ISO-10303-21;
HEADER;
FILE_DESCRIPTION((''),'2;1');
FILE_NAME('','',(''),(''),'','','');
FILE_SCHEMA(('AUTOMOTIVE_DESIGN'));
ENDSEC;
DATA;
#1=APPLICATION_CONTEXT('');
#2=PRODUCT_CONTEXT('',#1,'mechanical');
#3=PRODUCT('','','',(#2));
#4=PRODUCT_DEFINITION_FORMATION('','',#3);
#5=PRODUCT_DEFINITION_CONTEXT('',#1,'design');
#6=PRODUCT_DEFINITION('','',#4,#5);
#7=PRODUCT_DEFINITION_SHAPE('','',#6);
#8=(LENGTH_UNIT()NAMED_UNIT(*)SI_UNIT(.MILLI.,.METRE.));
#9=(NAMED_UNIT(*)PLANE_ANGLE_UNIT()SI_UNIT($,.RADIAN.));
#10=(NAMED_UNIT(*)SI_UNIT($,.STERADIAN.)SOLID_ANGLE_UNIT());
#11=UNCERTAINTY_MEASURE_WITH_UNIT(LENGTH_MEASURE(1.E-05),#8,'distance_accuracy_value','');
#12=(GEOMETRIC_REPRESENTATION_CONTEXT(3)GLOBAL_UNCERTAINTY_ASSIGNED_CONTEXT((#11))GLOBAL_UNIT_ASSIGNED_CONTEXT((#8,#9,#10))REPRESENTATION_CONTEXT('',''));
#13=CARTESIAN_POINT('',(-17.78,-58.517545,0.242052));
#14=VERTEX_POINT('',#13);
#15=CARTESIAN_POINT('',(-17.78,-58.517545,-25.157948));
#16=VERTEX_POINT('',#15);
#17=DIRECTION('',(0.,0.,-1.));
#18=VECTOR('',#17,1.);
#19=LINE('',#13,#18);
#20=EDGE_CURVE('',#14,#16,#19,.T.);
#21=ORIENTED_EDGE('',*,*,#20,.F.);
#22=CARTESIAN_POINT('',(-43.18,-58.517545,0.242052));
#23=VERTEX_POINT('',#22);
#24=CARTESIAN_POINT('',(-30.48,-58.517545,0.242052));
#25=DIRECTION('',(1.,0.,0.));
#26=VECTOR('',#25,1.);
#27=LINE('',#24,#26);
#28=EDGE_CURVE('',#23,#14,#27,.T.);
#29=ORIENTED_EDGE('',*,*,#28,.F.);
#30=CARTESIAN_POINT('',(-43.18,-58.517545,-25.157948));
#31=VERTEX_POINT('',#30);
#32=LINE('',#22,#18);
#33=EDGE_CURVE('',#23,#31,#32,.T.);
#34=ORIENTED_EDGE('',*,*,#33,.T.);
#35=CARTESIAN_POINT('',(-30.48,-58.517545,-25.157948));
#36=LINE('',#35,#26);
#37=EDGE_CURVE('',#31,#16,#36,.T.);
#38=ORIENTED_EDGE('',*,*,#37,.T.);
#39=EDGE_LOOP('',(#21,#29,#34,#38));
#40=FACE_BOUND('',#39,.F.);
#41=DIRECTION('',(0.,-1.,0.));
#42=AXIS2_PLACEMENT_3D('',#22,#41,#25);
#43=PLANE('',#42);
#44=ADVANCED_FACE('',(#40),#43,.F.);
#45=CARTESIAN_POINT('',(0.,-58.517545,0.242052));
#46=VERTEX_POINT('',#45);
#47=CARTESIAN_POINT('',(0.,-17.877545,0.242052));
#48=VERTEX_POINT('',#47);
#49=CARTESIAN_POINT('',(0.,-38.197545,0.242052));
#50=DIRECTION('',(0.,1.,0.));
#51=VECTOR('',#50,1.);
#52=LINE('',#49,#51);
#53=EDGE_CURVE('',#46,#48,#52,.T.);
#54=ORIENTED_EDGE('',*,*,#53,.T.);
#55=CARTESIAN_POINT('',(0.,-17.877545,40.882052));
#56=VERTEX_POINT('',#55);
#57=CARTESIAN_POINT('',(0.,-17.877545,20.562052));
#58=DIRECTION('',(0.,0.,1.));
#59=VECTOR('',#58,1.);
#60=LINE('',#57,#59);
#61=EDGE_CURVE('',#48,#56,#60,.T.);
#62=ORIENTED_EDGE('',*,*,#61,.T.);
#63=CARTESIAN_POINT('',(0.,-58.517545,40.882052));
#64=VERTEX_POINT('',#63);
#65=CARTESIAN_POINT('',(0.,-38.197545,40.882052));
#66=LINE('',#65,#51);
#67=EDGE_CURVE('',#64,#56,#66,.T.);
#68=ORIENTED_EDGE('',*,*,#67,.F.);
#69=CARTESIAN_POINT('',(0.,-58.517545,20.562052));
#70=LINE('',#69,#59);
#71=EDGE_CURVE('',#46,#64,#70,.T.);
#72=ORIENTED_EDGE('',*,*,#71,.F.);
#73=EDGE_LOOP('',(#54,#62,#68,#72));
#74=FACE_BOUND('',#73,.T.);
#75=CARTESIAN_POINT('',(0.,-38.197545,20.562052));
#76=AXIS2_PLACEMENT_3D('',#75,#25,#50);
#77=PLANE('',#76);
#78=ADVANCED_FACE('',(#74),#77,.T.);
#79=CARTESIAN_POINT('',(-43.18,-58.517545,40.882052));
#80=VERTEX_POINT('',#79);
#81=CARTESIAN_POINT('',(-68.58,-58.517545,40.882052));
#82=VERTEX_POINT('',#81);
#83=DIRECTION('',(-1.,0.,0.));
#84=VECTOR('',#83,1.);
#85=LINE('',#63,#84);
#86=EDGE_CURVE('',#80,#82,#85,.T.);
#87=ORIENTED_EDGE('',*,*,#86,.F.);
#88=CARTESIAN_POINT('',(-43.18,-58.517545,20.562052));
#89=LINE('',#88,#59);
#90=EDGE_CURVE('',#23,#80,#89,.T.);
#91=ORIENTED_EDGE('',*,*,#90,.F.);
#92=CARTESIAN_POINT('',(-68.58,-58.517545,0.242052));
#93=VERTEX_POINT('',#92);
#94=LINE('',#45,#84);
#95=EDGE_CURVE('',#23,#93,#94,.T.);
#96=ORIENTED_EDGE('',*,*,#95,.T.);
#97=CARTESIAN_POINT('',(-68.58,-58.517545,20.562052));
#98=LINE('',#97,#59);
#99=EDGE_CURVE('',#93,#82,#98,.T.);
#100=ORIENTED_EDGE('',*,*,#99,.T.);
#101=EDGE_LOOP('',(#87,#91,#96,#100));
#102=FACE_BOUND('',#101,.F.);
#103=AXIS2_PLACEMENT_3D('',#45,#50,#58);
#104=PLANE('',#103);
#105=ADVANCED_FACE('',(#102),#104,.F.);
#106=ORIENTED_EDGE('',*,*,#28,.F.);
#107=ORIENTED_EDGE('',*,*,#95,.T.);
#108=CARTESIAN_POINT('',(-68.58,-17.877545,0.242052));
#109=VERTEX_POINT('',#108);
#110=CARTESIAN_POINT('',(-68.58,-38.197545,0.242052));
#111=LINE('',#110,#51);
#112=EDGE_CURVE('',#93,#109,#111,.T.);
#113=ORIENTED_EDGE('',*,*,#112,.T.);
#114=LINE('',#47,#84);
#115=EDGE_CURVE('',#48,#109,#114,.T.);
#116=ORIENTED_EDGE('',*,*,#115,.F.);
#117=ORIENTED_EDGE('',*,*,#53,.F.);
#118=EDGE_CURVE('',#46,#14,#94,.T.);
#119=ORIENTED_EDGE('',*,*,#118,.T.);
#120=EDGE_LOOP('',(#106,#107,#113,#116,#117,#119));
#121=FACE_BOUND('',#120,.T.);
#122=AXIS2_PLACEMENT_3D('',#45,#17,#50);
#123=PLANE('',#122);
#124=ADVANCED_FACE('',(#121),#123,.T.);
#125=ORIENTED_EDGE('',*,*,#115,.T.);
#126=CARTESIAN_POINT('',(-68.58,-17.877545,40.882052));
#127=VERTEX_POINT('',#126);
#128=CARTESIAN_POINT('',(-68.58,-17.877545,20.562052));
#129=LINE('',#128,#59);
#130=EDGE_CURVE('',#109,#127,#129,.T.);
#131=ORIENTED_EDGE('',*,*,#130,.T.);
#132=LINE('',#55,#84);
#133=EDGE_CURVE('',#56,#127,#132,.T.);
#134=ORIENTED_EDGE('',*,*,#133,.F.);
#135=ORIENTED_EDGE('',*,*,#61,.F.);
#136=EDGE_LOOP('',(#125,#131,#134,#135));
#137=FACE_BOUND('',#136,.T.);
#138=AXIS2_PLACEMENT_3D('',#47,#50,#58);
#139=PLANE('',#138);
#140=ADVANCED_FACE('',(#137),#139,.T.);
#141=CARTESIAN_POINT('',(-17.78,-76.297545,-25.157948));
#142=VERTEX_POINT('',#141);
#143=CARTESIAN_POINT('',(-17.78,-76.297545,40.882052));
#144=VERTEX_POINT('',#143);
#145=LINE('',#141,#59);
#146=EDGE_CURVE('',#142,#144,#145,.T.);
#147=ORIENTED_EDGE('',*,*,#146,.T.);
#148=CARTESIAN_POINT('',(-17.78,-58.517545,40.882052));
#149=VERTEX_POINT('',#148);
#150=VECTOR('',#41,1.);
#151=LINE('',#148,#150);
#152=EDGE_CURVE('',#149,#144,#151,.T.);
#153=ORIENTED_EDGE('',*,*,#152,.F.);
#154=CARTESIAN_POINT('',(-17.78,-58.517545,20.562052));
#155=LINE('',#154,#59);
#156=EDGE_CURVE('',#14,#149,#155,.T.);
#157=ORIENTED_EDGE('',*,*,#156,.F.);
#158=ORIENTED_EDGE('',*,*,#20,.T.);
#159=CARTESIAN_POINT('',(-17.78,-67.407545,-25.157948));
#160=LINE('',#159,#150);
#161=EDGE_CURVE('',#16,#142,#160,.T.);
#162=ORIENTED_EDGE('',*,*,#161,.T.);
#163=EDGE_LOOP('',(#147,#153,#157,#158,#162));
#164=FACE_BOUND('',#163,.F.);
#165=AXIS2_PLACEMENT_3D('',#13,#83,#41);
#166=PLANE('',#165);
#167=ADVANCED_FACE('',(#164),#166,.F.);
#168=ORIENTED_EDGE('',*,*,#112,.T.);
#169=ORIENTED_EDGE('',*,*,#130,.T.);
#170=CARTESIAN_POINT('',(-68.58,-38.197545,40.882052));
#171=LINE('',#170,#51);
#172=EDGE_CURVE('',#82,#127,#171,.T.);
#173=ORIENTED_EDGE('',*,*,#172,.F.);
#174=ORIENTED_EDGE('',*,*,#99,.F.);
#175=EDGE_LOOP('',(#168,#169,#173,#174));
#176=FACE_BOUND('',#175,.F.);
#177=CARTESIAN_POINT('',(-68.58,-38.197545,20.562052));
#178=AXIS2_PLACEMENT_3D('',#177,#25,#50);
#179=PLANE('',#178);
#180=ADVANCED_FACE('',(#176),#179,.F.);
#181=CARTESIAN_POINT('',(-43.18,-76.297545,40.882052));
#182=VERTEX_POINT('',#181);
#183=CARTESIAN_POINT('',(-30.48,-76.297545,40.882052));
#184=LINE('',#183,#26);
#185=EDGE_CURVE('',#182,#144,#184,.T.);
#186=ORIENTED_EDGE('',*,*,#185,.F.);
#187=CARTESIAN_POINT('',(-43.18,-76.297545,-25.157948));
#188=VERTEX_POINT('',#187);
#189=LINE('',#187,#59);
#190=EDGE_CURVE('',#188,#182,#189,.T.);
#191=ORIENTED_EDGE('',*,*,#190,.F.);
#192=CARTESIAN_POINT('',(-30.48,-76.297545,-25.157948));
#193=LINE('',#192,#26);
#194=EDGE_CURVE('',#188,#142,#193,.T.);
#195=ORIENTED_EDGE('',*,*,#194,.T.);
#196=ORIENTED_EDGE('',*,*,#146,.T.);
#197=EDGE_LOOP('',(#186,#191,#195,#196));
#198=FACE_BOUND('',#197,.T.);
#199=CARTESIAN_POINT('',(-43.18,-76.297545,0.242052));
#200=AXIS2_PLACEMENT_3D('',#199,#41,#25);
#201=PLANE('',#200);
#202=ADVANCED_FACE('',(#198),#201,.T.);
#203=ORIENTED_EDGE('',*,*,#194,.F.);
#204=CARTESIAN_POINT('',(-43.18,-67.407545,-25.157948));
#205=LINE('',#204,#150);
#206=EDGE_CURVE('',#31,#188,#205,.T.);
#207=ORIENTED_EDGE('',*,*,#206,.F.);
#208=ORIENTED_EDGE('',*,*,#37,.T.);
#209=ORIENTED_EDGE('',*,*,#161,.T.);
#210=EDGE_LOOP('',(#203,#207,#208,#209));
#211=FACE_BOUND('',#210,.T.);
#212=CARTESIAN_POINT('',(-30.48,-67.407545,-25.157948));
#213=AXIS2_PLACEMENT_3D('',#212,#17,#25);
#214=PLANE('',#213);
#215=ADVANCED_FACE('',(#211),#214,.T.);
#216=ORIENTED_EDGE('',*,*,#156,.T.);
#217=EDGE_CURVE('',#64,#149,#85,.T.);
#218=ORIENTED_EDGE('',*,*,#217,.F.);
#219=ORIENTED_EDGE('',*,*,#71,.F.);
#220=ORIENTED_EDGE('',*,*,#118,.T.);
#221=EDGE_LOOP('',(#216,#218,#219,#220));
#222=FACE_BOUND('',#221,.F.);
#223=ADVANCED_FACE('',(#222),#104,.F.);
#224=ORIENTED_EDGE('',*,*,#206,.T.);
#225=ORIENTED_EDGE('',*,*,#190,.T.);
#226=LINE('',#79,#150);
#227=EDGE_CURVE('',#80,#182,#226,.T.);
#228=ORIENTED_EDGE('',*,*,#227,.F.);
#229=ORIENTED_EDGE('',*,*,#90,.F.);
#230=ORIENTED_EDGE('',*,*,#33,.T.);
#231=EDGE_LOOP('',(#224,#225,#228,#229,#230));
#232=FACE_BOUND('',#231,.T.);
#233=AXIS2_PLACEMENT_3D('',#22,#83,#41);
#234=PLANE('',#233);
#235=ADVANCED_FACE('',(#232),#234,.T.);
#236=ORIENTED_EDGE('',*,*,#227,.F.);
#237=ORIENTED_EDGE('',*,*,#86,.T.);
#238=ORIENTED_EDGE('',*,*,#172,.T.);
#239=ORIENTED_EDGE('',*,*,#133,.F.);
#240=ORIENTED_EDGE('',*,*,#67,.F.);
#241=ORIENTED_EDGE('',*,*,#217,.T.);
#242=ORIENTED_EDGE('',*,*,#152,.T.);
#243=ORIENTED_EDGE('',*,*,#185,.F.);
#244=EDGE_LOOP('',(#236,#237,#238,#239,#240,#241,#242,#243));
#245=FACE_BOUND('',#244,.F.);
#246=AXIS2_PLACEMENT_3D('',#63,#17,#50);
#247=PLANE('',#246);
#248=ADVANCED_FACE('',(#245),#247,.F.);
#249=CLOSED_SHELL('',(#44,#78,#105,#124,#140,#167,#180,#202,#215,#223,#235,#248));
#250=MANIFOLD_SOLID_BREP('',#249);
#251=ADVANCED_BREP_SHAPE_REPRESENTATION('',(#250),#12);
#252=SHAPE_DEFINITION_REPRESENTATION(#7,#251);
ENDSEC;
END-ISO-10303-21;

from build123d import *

# Parameters (mm, degrees)
F0_W     = 40.64
F0_H     = 40.64
F1_DEPTH = 68.58
F2_W     = 25.4
F2_H     = 40.64
F3_DEPTH = 17.78
F4_W     = 25.4
F4_H     = 17.78
F5_DEPTH = 25.4


with BuildPart() as f1:
    # F0 (on Right) → F1 (new body)
    with BuildSketch(Plane.YZ):
        with Locations((-38.1975453347, 20.5620517739)):
            Rectangle(F0_W, F0_H)
    extrude(amount=-F1_DEPTH)

    # F2 (on face) → F3 (join)
    with BuildSketch(Plane.XZ.offset(58.5175453347)):
        with Locations((-30.48, 20.5620517739)):
            Rectangle(F2_W, F2_H)
    extrude(amount=F3_DEPTH)

    # F4 (on face) → F5 (join)
    with BuildSketch(Plane(origin=(0, 0, 0.2420517739), x_dir=(1, 0, 0), z_dir=(0, 0, -1))):
        with Locations((-30.48, 67.4075453347)):
            Rectangle(F4_W, F4_H)
    extrude(amount=F5_DEPTH)


solid = f1.part
